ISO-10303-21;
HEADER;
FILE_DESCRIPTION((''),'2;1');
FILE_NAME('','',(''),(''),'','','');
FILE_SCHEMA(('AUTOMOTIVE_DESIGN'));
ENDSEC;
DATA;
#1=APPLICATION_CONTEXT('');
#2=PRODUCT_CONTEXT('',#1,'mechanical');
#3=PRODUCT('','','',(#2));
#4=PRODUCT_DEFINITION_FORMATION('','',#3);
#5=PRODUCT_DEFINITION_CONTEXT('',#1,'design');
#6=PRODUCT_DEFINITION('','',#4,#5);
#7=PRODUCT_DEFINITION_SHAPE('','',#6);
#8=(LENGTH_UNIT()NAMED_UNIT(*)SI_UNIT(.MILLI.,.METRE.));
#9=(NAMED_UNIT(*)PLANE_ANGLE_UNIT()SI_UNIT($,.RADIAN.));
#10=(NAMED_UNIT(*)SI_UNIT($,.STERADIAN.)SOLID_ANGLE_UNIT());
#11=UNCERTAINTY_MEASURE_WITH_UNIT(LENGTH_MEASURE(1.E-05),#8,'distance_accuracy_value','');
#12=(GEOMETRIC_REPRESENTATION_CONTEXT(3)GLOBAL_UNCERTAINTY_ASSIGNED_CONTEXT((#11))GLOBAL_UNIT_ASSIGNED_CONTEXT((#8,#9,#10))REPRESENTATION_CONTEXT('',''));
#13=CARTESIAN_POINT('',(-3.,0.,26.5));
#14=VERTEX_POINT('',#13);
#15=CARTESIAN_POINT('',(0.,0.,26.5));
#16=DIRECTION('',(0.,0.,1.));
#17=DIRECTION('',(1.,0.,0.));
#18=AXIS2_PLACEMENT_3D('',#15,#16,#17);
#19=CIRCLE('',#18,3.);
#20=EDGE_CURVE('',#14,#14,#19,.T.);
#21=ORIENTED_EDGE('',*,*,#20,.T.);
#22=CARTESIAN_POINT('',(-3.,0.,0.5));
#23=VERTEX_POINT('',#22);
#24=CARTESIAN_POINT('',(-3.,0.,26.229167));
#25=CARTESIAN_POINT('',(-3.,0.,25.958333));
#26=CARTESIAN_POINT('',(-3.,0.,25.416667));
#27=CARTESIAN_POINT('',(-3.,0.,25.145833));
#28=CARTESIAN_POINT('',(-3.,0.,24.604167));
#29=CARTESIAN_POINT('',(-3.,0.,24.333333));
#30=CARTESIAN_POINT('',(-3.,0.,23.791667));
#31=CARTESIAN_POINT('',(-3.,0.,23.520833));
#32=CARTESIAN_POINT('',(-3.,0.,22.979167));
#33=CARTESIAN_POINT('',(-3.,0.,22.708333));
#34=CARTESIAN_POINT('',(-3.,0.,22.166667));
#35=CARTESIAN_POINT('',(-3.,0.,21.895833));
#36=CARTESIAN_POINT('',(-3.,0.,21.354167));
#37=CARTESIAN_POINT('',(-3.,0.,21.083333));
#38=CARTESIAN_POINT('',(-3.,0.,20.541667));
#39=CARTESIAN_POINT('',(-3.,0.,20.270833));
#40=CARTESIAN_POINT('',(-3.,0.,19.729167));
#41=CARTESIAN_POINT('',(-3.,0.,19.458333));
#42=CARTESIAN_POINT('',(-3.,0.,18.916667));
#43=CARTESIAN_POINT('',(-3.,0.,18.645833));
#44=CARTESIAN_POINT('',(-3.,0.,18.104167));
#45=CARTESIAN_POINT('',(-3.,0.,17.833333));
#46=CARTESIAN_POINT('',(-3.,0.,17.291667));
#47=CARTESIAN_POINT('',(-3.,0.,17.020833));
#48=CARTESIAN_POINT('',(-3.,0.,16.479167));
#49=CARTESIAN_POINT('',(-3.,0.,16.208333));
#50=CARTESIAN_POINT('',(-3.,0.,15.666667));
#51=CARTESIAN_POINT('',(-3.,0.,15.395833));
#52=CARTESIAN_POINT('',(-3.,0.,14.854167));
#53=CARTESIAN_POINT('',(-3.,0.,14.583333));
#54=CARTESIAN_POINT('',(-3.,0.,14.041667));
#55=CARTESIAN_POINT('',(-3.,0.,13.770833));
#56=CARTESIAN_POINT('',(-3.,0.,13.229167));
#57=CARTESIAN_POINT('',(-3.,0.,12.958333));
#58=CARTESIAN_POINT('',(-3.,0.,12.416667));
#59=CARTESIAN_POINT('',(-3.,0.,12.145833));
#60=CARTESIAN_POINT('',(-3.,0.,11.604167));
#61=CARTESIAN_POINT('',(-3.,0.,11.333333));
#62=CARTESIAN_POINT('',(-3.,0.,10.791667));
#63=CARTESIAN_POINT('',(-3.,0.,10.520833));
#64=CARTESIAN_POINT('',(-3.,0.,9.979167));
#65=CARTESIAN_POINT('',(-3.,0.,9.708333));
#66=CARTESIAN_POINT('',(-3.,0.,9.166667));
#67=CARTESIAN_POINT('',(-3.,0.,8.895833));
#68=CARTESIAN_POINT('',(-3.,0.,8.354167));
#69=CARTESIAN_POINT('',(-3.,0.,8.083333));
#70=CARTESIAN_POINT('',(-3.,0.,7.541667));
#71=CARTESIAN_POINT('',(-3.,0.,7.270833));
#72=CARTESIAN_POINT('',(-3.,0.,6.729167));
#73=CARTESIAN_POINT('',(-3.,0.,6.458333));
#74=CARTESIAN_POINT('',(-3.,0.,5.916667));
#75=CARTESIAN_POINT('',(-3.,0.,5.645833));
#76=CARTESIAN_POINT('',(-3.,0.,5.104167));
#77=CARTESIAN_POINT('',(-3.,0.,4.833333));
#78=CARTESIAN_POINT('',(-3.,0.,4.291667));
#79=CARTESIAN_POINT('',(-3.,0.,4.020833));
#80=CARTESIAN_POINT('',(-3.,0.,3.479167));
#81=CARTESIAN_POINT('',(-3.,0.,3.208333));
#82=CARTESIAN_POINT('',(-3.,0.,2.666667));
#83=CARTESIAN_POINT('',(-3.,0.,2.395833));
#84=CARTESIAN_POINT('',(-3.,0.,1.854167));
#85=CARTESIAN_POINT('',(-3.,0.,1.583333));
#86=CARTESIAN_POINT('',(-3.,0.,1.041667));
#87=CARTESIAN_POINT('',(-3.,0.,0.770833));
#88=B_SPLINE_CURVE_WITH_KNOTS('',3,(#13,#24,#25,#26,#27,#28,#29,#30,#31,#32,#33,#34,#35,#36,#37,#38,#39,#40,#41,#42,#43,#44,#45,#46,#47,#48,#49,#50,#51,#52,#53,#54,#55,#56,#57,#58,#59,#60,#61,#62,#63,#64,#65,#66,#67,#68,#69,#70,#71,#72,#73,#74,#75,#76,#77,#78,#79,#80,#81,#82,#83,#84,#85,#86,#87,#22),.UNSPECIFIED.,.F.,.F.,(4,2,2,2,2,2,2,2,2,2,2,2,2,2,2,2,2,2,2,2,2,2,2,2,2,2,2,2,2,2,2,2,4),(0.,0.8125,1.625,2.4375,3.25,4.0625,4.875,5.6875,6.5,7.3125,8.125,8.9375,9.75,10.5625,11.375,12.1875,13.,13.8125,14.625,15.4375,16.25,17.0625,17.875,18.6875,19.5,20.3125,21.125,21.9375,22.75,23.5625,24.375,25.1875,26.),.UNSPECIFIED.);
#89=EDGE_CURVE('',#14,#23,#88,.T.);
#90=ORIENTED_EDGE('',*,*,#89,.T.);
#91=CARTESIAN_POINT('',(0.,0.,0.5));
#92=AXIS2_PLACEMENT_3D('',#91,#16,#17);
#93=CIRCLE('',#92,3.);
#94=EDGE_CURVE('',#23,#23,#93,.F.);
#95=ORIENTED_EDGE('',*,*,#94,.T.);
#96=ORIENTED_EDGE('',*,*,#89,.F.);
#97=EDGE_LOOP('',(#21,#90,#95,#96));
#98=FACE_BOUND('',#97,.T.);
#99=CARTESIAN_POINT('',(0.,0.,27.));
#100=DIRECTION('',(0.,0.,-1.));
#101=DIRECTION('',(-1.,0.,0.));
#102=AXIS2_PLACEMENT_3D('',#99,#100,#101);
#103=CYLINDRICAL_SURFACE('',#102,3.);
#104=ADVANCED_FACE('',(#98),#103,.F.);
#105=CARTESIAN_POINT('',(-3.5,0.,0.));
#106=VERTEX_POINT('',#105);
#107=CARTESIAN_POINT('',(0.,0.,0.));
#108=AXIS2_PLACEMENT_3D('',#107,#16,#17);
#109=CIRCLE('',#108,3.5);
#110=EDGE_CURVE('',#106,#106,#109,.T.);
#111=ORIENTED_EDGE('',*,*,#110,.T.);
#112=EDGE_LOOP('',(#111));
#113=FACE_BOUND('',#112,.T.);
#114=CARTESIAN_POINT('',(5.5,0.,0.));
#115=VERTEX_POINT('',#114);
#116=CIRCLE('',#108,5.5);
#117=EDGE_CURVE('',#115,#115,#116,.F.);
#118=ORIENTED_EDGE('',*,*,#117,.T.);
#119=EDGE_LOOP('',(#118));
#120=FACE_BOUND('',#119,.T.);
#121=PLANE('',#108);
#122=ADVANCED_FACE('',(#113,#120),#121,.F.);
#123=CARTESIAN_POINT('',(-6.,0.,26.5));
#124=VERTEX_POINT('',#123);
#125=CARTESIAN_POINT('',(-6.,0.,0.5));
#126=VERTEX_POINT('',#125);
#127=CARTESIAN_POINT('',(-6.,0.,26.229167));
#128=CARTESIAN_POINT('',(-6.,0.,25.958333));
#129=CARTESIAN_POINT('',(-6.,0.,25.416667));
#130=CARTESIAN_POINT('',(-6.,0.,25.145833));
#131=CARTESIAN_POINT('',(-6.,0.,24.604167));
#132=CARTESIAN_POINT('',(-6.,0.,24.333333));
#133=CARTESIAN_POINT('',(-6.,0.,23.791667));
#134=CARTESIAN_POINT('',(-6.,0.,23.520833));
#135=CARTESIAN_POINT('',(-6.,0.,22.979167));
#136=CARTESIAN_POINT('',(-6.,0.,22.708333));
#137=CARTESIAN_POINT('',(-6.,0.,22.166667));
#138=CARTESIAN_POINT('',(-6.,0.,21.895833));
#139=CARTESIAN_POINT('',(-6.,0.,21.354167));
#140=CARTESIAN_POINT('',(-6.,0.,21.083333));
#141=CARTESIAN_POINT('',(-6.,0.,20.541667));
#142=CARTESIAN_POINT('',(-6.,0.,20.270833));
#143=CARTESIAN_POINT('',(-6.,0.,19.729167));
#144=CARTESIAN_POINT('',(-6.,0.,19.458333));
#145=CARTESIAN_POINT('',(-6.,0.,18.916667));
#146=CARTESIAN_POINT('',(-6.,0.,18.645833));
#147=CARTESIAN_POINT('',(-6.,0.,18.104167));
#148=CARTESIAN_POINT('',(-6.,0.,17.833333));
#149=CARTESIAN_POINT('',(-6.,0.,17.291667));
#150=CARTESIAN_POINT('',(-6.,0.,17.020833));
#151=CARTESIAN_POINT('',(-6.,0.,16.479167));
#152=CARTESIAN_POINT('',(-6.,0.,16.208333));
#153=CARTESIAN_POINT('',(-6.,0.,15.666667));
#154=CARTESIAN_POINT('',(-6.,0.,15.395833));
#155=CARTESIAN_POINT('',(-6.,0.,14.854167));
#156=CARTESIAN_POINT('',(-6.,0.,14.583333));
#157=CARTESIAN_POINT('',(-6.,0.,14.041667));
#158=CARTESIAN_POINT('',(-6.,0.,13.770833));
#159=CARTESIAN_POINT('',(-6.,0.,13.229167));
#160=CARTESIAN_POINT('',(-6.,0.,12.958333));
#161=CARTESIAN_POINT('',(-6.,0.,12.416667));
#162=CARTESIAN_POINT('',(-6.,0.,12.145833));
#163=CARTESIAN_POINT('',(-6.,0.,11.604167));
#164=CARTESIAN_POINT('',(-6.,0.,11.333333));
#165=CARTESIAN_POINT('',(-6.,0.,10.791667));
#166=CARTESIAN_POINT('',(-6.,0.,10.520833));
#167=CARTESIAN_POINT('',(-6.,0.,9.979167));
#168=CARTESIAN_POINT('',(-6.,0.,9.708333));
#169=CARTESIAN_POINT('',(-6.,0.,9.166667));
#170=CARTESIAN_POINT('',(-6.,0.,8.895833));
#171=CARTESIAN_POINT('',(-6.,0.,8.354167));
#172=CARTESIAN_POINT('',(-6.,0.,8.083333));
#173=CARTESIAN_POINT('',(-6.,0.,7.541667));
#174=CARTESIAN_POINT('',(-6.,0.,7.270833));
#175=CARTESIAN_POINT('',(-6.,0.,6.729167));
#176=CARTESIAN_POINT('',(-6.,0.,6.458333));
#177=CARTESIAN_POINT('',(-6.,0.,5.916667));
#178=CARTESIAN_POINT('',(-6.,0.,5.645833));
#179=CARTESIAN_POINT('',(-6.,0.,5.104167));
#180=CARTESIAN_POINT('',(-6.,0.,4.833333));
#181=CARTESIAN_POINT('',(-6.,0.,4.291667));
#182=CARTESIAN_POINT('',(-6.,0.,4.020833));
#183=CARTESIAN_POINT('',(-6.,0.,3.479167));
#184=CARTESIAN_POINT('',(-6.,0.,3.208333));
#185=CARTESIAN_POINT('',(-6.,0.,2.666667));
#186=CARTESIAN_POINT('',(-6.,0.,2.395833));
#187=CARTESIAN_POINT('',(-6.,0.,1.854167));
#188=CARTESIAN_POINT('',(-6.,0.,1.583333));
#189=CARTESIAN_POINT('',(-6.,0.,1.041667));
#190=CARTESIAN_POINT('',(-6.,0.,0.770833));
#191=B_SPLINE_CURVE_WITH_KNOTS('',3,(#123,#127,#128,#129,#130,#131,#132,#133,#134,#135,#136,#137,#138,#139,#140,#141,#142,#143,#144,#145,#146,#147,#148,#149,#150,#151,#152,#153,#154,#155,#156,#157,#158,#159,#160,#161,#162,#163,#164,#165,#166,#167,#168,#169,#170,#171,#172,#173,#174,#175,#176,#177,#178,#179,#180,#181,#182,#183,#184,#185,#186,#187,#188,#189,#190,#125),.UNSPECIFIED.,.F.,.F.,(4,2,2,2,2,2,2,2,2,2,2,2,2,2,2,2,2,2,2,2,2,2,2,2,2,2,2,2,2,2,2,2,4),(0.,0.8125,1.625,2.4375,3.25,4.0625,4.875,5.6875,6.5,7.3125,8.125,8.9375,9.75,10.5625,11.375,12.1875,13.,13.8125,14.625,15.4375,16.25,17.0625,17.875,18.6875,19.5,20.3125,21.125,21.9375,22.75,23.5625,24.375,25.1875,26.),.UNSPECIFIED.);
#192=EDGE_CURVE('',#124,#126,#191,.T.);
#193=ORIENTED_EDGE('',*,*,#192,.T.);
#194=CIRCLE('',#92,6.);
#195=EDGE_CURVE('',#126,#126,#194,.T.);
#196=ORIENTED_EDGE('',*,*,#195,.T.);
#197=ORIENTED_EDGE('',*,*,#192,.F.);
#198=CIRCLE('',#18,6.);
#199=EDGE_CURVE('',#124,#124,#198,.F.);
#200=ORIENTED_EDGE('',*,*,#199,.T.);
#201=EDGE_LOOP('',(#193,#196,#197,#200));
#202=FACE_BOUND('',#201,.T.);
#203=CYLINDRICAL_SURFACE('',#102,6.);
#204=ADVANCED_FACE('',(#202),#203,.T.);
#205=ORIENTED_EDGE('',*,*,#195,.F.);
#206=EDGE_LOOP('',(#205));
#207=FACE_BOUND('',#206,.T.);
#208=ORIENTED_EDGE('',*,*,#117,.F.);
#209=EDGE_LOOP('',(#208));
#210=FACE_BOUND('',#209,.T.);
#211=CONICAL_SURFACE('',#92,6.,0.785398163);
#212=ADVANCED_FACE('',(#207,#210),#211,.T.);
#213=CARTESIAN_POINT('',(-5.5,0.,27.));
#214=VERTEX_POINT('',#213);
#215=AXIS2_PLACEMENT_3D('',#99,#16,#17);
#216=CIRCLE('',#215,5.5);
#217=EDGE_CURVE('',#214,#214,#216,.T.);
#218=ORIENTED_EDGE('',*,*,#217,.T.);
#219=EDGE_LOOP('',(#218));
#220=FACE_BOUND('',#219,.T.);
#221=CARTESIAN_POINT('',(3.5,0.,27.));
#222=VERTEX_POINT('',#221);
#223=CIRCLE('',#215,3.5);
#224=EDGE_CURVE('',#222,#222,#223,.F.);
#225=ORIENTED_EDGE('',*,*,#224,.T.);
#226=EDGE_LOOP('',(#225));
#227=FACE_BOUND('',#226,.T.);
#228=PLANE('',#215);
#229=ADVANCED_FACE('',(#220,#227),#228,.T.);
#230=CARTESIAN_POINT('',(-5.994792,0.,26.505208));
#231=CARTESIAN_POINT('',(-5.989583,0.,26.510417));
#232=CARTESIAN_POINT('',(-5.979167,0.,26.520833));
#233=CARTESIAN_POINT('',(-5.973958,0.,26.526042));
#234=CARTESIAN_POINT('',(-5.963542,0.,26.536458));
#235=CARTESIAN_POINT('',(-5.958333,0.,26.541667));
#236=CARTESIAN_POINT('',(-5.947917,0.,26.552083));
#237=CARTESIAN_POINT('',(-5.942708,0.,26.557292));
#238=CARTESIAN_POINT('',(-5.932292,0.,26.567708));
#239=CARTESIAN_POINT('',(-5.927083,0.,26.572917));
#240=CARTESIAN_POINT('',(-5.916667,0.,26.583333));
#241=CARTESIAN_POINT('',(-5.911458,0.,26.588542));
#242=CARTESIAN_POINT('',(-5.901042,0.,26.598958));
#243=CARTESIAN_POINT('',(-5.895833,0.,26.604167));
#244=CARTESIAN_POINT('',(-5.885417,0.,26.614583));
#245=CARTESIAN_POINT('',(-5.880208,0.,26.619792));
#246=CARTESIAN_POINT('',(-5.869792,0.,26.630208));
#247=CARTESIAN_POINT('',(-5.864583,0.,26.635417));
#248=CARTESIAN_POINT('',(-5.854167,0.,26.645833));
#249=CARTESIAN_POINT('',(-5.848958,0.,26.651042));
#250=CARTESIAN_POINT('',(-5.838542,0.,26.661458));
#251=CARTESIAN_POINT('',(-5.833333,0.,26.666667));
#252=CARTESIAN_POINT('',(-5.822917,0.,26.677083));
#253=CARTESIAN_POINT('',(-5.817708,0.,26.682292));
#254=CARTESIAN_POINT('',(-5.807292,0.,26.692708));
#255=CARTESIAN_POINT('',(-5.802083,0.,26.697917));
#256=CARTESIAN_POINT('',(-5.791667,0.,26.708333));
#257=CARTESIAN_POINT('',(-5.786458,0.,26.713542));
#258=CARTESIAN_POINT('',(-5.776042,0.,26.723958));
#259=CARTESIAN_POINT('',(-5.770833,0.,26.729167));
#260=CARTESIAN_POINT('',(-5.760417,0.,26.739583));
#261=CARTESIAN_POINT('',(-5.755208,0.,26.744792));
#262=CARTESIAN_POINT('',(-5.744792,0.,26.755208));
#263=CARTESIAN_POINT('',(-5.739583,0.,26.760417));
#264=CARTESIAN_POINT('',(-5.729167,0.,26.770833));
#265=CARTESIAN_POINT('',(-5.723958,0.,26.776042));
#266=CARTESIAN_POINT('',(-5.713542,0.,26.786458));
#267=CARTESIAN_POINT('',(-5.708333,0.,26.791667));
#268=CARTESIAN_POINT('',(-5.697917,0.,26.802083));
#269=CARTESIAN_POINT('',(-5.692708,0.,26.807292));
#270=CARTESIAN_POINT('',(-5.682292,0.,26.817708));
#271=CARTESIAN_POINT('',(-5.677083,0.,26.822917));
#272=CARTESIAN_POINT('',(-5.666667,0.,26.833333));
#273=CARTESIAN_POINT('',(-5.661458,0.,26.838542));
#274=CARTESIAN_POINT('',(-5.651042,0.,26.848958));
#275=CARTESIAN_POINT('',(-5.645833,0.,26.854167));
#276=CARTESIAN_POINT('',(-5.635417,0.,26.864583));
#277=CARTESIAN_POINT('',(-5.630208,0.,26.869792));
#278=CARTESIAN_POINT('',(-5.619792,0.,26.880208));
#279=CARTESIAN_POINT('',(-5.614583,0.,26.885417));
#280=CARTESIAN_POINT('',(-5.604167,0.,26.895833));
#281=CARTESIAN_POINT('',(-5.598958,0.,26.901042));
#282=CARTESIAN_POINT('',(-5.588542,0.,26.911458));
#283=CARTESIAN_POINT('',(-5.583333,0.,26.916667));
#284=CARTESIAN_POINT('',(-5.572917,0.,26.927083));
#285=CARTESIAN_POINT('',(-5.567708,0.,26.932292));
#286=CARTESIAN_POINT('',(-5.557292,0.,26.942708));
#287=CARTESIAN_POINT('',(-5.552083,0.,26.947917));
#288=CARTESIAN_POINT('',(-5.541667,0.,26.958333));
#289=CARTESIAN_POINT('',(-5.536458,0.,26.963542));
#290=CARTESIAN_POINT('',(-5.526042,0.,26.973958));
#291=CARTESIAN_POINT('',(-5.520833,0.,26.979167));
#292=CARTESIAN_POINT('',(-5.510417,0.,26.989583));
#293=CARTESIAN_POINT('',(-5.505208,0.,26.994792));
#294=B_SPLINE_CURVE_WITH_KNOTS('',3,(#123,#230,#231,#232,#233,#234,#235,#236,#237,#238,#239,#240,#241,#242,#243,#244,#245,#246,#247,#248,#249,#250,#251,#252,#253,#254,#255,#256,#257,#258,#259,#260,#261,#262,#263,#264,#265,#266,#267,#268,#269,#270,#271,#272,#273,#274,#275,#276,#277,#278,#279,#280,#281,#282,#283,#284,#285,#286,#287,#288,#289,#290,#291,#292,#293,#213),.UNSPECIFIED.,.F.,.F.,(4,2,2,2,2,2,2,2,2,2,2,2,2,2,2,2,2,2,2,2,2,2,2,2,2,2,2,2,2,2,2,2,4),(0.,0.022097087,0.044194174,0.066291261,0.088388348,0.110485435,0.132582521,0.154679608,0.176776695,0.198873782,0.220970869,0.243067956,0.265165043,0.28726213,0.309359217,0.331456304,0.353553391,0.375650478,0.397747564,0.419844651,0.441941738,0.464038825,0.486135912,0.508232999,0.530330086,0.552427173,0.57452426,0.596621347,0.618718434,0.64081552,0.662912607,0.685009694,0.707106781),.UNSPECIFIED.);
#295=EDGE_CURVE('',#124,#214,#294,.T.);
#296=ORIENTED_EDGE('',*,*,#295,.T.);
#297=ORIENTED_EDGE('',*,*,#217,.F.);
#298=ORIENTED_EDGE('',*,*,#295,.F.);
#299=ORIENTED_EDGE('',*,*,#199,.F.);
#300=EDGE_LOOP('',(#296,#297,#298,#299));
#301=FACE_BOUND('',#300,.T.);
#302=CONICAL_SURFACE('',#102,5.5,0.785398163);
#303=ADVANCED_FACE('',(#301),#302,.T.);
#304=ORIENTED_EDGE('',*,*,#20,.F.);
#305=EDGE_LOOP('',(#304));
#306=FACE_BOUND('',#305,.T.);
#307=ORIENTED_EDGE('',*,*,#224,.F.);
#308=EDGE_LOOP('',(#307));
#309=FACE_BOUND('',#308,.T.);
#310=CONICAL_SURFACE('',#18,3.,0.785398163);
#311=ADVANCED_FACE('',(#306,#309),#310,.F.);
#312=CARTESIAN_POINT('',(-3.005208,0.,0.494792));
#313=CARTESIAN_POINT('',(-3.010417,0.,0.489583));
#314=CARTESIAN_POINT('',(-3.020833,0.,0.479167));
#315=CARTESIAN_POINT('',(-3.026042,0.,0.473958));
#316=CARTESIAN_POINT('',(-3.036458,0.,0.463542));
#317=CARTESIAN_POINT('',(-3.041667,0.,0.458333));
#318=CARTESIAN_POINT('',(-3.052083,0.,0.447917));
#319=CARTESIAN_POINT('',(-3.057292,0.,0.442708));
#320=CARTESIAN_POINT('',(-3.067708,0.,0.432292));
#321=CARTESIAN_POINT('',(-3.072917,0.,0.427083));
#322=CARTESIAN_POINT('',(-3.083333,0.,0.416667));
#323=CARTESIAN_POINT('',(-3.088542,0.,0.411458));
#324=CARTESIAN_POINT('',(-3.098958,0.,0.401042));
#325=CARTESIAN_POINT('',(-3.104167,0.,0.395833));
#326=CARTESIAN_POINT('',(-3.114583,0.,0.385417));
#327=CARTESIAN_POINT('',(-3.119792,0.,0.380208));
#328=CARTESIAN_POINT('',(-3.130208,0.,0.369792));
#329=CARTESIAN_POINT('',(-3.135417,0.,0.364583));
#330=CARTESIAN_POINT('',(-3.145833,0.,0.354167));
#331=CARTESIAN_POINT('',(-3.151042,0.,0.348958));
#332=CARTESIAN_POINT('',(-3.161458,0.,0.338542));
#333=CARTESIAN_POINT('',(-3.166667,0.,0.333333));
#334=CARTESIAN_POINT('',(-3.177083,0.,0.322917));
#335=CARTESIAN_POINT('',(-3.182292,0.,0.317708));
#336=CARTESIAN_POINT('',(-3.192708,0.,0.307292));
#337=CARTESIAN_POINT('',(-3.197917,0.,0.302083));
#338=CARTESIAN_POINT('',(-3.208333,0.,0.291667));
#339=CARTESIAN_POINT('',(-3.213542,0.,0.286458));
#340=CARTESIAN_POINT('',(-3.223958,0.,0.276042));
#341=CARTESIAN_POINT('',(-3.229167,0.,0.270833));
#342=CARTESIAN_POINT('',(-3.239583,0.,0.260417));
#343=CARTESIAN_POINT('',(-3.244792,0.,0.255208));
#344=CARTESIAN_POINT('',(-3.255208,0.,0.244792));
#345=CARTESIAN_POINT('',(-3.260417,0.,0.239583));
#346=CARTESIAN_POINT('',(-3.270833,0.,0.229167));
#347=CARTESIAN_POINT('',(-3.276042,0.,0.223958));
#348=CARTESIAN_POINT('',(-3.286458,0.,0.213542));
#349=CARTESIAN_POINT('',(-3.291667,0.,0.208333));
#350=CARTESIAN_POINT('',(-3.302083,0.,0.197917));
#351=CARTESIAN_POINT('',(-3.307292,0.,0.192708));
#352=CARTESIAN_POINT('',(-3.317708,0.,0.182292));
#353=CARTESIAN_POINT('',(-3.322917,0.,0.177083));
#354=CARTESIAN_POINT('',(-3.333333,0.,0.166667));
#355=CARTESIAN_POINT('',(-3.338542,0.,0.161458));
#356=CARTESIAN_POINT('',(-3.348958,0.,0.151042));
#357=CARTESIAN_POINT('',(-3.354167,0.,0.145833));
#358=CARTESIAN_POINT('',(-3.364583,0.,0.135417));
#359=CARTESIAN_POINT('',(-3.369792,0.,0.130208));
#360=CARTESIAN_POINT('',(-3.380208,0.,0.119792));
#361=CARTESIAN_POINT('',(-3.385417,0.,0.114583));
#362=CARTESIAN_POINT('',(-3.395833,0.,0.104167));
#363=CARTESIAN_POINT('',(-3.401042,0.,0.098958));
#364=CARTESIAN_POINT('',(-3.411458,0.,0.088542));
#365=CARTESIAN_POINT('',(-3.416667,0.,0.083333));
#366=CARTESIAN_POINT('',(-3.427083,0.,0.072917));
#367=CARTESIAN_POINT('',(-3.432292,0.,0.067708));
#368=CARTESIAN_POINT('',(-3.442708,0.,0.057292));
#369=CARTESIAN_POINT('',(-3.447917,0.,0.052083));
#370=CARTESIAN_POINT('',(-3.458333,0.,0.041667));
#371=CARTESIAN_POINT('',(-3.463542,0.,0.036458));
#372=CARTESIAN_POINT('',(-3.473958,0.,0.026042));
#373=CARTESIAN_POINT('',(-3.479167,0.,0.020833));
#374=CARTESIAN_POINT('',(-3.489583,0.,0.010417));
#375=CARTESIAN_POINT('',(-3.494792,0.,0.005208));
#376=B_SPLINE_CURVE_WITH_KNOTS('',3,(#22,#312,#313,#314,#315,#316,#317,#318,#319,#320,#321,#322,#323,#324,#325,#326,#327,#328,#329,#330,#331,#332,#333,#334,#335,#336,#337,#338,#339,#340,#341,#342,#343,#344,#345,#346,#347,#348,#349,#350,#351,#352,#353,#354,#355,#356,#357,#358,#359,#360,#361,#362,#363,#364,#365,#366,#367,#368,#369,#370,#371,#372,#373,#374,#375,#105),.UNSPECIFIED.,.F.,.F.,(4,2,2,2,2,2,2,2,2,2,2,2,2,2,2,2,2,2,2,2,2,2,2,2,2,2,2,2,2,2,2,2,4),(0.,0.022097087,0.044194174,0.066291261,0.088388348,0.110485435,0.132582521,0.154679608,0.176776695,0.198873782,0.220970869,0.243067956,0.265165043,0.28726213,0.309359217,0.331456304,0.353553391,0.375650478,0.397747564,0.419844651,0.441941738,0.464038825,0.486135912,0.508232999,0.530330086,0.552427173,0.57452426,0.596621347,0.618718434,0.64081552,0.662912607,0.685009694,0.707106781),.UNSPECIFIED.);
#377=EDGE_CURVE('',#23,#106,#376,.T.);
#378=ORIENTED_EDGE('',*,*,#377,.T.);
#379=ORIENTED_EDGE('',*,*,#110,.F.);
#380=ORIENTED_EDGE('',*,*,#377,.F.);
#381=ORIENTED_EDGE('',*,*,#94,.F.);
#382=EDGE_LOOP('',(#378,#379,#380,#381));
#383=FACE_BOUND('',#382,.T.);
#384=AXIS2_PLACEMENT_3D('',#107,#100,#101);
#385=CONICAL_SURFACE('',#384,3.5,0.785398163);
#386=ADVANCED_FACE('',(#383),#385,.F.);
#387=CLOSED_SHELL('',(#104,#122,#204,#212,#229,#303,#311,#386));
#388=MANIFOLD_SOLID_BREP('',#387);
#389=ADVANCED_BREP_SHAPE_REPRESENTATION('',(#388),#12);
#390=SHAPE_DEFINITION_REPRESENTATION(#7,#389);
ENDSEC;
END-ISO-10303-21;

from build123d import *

# Parameters (mm, degrees)
ESQUISSE1_R          = 6
ESQUISSE1_R_2        = 3
BASE_EXTRUSION_DEPTH = 27
CHANFREIN1_SIZE      = 0.5


with BuildPart() as part:
    # Esquisse1 → Base-Extrusion (new body)
    with BuildSketch(Plane.XY):
        with Locations(Location((0, 0, 0), (0, 0, 180))):
            Circle(ESQUISSE1_R)
        with Locations(Location((0, 0, 0), (0, 0, 180))):
            Circle(ESQUISSE1_R_2, mode=Mode.SUBTRACT)
    extrude(amount=BASE_EXTRUSION_DEPTH)

    # Chanfrein1
    chanfrein1_edges = [part.edges().sort_by_distance(p)[0] for p in [
        (6, 0, 0),
        (6, 0, 27),
        (3, 0, 0),
        (3, 0, 27),
    ]]
    chamfer(chanfrein1_edges, length=CHANFREIN1_SIZE)


solid = part.part
